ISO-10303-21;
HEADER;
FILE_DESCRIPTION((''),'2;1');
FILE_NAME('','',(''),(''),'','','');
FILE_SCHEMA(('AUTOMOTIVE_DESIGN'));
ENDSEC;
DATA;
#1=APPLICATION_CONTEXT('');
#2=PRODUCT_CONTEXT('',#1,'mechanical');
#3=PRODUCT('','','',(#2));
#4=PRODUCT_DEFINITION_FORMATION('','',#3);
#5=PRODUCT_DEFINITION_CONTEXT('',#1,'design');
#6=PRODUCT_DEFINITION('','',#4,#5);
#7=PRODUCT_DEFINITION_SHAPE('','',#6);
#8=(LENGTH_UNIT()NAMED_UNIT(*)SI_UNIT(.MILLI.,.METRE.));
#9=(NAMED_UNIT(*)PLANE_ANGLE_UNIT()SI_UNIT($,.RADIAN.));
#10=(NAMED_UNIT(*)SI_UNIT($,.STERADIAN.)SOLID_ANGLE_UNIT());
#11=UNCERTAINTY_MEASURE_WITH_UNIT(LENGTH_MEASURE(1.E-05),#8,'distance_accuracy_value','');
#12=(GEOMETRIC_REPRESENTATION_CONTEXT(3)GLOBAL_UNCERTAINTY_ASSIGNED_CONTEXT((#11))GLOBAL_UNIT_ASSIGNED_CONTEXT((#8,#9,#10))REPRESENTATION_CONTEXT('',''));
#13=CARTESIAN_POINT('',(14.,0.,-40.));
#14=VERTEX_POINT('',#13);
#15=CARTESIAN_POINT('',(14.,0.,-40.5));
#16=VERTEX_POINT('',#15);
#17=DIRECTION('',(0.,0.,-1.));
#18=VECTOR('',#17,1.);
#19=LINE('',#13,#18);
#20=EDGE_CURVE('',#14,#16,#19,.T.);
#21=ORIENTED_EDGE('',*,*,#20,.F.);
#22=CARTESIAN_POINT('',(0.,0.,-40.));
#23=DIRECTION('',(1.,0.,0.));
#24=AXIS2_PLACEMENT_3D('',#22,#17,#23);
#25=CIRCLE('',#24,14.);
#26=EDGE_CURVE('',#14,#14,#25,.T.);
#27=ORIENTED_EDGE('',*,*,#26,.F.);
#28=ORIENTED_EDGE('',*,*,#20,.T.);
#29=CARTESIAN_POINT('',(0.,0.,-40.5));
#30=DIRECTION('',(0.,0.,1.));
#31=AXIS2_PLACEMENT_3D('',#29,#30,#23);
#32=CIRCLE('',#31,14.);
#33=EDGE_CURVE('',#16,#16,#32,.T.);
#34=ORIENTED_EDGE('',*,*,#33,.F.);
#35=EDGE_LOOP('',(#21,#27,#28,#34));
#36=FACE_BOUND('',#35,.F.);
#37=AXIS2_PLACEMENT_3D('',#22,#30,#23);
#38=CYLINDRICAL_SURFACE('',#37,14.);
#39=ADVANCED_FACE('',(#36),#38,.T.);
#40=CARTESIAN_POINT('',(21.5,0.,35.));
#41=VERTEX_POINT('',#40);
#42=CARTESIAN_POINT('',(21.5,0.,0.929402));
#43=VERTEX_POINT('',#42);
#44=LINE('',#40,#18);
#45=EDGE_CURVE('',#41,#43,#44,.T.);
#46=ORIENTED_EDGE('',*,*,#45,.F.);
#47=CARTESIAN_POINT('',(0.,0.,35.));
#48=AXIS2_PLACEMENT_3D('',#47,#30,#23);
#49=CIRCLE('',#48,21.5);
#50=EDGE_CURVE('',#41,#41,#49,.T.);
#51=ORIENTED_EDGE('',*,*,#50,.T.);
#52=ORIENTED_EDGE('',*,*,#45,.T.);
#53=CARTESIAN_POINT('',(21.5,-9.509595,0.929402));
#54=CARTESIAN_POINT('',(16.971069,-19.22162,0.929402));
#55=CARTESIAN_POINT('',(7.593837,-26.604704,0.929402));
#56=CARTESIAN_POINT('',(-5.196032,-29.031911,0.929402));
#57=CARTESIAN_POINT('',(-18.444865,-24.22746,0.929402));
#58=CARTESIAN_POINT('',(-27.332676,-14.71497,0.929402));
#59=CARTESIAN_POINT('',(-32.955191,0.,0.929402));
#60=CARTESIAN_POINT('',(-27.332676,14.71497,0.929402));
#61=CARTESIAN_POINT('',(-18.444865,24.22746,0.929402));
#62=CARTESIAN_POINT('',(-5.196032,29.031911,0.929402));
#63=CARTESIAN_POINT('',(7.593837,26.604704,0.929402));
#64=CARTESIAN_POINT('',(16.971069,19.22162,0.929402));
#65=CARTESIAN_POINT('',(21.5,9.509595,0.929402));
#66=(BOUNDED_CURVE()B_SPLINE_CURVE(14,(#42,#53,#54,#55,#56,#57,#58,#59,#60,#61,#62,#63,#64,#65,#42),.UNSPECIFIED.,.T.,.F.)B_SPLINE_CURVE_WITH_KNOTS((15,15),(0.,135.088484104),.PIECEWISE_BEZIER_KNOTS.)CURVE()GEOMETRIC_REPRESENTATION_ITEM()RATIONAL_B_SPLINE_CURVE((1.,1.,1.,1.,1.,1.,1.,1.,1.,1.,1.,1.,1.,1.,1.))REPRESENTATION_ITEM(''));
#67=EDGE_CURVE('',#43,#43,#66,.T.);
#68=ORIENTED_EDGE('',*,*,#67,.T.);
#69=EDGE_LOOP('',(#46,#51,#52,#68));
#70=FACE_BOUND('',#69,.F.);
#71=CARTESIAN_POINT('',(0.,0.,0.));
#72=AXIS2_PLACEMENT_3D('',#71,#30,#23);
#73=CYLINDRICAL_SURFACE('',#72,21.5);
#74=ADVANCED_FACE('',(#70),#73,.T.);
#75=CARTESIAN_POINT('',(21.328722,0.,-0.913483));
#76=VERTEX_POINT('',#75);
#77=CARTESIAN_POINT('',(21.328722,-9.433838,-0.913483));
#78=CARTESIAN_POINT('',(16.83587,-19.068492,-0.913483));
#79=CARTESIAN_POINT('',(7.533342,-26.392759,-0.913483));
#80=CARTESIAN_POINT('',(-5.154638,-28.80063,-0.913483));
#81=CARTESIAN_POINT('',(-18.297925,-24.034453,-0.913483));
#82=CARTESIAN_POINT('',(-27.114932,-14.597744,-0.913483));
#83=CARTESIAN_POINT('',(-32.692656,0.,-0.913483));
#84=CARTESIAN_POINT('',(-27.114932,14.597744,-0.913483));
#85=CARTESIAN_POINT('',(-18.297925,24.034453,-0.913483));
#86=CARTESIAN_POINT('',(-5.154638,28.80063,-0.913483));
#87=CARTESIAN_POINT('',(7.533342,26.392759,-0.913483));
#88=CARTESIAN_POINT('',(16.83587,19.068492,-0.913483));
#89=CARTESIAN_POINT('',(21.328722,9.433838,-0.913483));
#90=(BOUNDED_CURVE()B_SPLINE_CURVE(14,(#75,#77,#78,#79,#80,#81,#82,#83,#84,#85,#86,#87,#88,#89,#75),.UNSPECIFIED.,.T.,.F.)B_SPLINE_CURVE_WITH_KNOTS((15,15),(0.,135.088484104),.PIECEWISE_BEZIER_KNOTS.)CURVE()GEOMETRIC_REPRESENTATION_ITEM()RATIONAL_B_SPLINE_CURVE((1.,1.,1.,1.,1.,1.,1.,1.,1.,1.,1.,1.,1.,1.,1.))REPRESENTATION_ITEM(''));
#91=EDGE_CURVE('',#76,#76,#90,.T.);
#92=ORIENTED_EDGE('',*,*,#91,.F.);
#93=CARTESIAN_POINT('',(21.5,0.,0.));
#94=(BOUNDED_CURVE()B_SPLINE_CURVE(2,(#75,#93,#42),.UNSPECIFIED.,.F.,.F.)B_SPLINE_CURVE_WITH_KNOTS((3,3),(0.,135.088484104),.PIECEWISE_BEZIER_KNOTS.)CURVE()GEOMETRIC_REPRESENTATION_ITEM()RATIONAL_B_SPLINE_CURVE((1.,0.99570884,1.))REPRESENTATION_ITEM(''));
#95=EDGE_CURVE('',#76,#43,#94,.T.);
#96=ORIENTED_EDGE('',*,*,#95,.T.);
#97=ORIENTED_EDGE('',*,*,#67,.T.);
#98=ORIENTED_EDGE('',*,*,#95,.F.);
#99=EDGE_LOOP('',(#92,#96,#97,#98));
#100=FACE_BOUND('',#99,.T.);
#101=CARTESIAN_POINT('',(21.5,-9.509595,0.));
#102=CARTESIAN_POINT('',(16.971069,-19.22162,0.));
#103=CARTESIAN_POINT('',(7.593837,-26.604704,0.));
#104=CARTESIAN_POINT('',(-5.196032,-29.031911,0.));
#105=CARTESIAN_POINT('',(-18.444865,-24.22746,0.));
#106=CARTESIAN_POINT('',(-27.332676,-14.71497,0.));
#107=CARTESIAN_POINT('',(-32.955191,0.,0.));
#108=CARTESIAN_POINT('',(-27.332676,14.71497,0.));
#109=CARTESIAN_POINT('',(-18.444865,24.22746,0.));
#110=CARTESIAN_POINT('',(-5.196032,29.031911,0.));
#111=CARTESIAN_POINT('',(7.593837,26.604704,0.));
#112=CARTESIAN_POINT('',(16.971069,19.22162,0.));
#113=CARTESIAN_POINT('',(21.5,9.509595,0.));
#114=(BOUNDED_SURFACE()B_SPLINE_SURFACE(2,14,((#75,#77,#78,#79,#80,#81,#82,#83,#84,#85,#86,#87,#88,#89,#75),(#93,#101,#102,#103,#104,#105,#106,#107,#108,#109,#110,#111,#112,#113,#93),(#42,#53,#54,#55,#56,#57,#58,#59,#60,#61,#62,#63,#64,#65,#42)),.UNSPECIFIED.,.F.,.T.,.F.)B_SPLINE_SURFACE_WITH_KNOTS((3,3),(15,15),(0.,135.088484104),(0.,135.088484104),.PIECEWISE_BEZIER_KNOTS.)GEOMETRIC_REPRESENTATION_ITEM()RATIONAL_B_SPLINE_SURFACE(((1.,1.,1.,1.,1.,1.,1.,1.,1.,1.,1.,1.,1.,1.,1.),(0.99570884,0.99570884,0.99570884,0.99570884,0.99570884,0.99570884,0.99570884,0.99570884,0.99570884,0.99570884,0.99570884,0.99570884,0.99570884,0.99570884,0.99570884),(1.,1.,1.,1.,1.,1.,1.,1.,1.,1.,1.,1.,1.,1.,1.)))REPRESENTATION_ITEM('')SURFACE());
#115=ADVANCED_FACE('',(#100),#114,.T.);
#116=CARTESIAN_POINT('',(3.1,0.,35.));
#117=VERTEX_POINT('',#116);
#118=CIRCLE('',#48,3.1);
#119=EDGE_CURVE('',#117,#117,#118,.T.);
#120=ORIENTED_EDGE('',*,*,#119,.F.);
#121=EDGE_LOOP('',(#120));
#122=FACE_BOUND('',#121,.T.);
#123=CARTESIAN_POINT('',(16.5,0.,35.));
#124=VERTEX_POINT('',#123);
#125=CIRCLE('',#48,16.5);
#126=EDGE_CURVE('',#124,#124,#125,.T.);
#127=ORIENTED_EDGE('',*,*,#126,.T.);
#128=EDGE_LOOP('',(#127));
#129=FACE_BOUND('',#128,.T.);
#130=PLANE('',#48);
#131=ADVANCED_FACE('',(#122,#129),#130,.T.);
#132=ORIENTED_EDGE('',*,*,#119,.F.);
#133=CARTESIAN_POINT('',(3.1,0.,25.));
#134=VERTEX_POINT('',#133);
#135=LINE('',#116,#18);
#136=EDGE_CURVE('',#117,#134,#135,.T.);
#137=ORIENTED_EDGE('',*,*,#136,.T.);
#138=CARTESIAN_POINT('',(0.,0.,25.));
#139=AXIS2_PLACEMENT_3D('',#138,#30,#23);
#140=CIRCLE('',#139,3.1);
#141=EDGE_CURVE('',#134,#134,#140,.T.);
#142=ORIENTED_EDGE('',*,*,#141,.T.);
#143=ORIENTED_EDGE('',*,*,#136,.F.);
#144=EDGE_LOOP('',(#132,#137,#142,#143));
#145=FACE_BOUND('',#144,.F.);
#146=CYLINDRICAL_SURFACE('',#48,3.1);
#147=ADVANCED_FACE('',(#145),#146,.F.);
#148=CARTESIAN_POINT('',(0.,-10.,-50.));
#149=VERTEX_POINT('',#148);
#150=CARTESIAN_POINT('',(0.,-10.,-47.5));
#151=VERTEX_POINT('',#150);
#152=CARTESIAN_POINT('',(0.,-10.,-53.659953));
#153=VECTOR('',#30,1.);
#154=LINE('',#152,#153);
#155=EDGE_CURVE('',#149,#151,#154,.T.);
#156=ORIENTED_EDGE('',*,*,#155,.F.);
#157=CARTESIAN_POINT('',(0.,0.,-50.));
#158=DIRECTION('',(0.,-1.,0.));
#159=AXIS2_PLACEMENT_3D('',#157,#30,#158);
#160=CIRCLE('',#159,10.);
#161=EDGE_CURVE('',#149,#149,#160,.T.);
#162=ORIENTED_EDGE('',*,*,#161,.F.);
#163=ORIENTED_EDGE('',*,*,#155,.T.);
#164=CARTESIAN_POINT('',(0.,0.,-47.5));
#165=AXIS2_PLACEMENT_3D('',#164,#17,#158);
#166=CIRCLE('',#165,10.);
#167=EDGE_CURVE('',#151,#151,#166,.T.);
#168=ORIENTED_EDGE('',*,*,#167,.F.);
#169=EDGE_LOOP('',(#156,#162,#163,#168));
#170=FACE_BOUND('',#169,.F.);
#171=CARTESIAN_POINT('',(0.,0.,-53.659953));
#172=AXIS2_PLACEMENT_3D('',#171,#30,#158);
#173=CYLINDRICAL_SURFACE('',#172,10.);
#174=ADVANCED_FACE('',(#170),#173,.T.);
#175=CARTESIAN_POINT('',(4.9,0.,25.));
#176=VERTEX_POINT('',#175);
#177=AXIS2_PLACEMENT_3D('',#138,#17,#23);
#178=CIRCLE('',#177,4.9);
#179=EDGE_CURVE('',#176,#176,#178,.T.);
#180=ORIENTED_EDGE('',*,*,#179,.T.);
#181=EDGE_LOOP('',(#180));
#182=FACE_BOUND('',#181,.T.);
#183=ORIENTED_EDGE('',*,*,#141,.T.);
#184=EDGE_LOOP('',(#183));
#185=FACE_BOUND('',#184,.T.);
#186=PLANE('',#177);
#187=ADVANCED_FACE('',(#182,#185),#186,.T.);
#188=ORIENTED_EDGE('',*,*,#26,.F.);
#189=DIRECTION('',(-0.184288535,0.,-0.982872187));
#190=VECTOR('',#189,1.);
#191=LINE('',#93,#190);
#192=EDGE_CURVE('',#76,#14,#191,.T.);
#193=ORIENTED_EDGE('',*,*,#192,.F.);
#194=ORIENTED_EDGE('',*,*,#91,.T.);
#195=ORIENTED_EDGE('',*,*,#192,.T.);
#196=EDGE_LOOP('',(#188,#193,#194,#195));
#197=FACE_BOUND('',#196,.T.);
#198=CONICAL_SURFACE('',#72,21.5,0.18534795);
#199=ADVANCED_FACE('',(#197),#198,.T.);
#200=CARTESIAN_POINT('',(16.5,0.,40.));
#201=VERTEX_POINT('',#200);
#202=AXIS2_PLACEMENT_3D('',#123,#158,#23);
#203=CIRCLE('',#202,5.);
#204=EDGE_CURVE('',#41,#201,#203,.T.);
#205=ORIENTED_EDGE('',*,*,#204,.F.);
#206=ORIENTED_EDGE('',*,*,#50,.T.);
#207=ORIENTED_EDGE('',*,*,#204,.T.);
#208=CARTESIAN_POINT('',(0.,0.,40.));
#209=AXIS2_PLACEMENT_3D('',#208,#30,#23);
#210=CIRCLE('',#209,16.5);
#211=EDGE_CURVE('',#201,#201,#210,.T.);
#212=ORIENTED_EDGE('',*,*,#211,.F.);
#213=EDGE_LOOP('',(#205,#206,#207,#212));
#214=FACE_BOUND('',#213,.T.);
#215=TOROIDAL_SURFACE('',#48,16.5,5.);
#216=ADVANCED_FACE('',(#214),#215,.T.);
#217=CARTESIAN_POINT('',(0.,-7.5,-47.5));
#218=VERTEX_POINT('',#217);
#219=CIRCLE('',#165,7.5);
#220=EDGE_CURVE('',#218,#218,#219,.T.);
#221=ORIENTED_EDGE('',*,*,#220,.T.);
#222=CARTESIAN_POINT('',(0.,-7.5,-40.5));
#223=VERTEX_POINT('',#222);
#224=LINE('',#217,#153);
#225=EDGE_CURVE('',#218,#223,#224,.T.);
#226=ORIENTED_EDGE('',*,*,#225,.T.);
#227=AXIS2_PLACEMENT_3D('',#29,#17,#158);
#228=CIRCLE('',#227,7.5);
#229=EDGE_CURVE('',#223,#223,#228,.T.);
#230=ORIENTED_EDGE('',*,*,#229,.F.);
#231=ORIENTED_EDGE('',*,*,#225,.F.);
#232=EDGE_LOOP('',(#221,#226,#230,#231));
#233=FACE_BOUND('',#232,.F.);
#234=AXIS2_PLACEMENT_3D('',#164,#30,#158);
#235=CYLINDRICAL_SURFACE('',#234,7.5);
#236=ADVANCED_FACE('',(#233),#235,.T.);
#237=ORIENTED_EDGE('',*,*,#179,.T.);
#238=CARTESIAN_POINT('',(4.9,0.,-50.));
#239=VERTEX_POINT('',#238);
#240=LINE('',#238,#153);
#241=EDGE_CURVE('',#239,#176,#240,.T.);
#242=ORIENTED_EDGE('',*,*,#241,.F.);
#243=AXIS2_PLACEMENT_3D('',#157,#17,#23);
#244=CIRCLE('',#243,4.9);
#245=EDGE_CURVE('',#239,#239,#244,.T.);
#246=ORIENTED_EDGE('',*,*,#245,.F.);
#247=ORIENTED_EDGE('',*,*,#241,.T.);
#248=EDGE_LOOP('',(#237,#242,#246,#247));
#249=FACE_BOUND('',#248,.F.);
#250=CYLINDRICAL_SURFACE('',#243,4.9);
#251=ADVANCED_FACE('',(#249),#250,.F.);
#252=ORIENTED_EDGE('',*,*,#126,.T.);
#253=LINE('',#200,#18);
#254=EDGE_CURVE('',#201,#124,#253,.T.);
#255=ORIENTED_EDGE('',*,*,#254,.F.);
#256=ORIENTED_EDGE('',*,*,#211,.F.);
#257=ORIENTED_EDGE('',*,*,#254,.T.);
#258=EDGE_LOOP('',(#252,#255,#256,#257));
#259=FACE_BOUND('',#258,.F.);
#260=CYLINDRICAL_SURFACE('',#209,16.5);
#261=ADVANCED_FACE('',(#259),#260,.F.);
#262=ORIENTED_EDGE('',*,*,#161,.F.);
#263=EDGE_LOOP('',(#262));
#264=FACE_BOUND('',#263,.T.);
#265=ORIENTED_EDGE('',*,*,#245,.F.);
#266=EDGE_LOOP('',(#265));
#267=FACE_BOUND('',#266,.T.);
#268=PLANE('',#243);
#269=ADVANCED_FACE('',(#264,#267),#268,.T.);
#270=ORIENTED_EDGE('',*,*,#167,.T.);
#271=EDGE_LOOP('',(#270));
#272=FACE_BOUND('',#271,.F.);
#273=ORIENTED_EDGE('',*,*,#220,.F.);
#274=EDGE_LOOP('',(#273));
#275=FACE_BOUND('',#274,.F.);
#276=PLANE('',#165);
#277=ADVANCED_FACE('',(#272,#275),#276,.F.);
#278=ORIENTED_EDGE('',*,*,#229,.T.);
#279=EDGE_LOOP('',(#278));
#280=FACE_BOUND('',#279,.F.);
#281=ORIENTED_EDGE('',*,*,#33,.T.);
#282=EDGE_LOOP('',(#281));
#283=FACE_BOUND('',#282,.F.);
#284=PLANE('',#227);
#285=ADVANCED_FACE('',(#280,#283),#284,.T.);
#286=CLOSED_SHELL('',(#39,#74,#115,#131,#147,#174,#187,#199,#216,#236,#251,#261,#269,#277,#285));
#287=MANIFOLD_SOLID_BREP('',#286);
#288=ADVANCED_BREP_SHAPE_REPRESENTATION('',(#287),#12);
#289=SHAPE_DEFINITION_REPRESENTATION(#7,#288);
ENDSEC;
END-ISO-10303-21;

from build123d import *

# Parameters (mm, degrees)
F0_R      = 21.5
F1_DEPTH  = 40
F2_R      = 5
F3_R      = 21.5
F4_DEPTH  = 40
F5_SIZE2  = 7.5
F5_SIZE   = 40
F6_DEPTH  = 10
F7_R      = 10
F10_R     = 4.9
F11_DEPTH = 75
F12_R     = 16.5
F13_DEPTH = 5
F14_R     = 3.1
F15_DEPTH = 85.001


with BuildPart() as f1:
    # F0 (on Top) → F1 (new body)
    with BuildSketch(Plane.XY):
        Circle(F0_R)
    extrude(amount=F1_DEPTH)

    # F2
    f2_edges = [f1.edges().sort_by_distance(p)[0] for p in [
        (-21.5, 0, 40),
    ]]
    fillet(f2_edges, radius=F2_R)

    # F3 (on face) → F4 (join)
    with BuildSketch(Plane(origin=(0, 0, 0), x_dir=(1, 0, 0), z_dir=(0, 0, -1))):
        Circle(F3_R)
    extrude(amount=F4_DEPTH)

    # F5
    f5_edges = [f1.edges().sort_by_distance(p)[0] for p in [
        (-21.5, 0, -40),
    ]]
    chamfer(f5_edges, length=F5_SIZE, length2=F5_SIZE2)

    # F6 (add): a face of the model
    f6_faces = [f1.faces().sort_by_distance(p)[0] for p in [
        (0, 0, -40),
    ]]
    extrude(f6_faces, amount=F6_DEPTH)

    # F7
    f7_edges = [f1.edges().sort_by_distance(p)[0] for p in [
        (-21.5, 0, 0),
    ]]
    fillet(f7_edges, radius=F7_R)

    # F8 (on Right) → F9 (revolve, cut)
    with BuildSketch(Plane.YZ):
        Polygon((-7.5, -40.5), (-17.4298945979, -40.5), (-17.4298945979, -47.5), (-17.4298945979, -53.659953177), (-10, -53.659953177), (-10, -47.5), (-7.5, -47.5), align=None)
    revolve(axis=Axis((0, 0, -53.4000843763), (0, 0, -1)), mode=Mode.SUBTRACT)

    # F10 (on face) → F11 (cut)
    with BuildSketch(Plane(origin=(0, 0, -50), x_dir=(1, 0, 0), z_dir=(0, 0, -1))):
        Circle(F10_R)
    extrude(amount=-F11_DEPTH, mode=Mode.SUBTRACT)

    # F12 (on face) → F13 (cut)
    with BuildSketch(Plane.XY.offset(40)):
        Circle(F12_R)
    extrude(amount=-F13_DEPTH, mode=Mode.SUBTRACT)

    # F14 (on face) → F15 (cut, through all)
    with BuildSketch(Plane.XY.offset(35)):
        Circle(F14_R)
    extrude(amount=-F15_DEPTH, mode=Mode.SUBTRACT)


solid = f1.part
